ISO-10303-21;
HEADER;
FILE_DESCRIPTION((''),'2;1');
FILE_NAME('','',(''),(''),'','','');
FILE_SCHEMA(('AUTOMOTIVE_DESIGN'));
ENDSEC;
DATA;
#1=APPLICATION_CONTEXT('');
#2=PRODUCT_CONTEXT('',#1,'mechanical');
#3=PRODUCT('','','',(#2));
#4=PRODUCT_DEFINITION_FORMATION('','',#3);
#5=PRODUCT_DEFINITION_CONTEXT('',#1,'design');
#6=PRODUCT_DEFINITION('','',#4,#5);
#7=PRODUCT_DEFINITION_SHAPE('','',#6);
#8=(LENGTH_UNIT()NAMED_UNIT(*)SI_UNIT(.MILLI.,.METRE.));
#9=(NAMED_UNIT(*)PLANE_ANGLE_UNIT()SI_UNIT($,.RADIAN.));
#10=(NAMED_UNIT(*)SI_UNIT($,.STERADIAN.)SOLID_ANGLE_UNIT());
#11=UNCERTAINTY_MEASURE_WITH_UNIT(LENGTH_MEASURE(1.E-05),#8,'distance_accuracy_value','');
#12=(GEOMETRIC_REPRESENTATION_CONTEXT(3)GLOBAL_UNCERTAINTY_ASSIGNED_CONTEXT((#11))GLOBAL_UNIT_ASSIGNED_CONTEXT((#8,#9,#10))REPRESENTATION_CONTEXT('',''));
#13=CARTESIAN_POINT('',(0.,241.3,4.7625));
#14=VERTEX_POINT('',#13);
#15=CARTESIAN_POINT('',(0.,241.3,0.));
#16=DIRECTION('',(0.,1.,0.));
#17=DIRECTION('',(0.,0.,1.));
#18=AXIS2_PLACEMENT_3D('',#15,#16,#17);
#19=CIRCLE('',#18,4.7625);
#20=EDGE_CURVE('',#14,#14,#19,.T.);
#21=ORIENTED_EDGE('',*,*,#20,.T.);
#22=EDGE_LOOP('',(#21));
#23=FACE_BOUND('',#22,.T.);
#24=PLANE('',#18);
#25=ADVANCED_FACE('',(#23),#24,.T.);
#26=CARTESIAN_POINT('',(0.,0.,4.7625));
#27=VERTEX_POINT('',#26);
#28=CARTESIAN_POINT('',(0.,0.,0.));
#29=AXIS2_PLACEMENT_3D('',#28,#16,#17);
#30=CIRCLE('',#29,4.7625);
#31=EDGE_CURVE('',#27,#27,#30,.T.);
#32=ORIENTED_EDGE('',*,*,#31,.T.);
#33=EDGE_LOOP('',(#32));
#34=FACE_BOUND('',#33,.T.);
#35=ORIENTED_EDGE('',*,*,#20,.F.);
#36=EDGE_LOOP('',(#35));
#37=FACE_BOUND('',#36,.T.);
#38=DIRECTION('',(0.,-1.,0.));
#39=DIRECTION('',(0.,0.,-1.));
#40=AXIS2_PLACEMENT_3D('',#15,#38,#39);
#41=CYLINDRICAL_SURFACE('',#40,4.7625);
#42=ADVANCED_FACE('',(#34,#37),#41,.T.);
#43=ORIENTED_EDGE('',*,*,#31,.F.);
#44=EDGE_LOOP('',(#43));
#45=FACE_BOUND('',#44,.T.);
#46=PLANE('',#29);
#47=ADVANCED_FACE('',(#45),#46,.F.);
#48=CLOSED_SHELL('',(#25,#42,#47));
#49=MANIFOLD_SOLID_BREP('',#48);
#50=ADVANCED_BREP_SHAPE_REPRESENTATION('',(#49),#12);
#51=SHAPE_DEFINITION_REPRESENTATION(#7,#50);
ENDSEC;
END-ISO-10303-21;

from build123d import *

# Parameters (mm, degrees)
SKETCH1_R           = 4.7625
BOSS_EXTRUDE1_DEPTH = 241.3


with BuildPart() as part:
    # Sketch1 → Boss-Extrude1 (new body)
    with BuildSketch(Plane(origin=(0, 0, 0), x_dir=(1, 0, 0), z_dir=(0, 1, 0))):
        Circle(SKETCH1_R)
    extrude(amount=BOSS_EXTRUDE1_DEPTH)


solid = part.part
